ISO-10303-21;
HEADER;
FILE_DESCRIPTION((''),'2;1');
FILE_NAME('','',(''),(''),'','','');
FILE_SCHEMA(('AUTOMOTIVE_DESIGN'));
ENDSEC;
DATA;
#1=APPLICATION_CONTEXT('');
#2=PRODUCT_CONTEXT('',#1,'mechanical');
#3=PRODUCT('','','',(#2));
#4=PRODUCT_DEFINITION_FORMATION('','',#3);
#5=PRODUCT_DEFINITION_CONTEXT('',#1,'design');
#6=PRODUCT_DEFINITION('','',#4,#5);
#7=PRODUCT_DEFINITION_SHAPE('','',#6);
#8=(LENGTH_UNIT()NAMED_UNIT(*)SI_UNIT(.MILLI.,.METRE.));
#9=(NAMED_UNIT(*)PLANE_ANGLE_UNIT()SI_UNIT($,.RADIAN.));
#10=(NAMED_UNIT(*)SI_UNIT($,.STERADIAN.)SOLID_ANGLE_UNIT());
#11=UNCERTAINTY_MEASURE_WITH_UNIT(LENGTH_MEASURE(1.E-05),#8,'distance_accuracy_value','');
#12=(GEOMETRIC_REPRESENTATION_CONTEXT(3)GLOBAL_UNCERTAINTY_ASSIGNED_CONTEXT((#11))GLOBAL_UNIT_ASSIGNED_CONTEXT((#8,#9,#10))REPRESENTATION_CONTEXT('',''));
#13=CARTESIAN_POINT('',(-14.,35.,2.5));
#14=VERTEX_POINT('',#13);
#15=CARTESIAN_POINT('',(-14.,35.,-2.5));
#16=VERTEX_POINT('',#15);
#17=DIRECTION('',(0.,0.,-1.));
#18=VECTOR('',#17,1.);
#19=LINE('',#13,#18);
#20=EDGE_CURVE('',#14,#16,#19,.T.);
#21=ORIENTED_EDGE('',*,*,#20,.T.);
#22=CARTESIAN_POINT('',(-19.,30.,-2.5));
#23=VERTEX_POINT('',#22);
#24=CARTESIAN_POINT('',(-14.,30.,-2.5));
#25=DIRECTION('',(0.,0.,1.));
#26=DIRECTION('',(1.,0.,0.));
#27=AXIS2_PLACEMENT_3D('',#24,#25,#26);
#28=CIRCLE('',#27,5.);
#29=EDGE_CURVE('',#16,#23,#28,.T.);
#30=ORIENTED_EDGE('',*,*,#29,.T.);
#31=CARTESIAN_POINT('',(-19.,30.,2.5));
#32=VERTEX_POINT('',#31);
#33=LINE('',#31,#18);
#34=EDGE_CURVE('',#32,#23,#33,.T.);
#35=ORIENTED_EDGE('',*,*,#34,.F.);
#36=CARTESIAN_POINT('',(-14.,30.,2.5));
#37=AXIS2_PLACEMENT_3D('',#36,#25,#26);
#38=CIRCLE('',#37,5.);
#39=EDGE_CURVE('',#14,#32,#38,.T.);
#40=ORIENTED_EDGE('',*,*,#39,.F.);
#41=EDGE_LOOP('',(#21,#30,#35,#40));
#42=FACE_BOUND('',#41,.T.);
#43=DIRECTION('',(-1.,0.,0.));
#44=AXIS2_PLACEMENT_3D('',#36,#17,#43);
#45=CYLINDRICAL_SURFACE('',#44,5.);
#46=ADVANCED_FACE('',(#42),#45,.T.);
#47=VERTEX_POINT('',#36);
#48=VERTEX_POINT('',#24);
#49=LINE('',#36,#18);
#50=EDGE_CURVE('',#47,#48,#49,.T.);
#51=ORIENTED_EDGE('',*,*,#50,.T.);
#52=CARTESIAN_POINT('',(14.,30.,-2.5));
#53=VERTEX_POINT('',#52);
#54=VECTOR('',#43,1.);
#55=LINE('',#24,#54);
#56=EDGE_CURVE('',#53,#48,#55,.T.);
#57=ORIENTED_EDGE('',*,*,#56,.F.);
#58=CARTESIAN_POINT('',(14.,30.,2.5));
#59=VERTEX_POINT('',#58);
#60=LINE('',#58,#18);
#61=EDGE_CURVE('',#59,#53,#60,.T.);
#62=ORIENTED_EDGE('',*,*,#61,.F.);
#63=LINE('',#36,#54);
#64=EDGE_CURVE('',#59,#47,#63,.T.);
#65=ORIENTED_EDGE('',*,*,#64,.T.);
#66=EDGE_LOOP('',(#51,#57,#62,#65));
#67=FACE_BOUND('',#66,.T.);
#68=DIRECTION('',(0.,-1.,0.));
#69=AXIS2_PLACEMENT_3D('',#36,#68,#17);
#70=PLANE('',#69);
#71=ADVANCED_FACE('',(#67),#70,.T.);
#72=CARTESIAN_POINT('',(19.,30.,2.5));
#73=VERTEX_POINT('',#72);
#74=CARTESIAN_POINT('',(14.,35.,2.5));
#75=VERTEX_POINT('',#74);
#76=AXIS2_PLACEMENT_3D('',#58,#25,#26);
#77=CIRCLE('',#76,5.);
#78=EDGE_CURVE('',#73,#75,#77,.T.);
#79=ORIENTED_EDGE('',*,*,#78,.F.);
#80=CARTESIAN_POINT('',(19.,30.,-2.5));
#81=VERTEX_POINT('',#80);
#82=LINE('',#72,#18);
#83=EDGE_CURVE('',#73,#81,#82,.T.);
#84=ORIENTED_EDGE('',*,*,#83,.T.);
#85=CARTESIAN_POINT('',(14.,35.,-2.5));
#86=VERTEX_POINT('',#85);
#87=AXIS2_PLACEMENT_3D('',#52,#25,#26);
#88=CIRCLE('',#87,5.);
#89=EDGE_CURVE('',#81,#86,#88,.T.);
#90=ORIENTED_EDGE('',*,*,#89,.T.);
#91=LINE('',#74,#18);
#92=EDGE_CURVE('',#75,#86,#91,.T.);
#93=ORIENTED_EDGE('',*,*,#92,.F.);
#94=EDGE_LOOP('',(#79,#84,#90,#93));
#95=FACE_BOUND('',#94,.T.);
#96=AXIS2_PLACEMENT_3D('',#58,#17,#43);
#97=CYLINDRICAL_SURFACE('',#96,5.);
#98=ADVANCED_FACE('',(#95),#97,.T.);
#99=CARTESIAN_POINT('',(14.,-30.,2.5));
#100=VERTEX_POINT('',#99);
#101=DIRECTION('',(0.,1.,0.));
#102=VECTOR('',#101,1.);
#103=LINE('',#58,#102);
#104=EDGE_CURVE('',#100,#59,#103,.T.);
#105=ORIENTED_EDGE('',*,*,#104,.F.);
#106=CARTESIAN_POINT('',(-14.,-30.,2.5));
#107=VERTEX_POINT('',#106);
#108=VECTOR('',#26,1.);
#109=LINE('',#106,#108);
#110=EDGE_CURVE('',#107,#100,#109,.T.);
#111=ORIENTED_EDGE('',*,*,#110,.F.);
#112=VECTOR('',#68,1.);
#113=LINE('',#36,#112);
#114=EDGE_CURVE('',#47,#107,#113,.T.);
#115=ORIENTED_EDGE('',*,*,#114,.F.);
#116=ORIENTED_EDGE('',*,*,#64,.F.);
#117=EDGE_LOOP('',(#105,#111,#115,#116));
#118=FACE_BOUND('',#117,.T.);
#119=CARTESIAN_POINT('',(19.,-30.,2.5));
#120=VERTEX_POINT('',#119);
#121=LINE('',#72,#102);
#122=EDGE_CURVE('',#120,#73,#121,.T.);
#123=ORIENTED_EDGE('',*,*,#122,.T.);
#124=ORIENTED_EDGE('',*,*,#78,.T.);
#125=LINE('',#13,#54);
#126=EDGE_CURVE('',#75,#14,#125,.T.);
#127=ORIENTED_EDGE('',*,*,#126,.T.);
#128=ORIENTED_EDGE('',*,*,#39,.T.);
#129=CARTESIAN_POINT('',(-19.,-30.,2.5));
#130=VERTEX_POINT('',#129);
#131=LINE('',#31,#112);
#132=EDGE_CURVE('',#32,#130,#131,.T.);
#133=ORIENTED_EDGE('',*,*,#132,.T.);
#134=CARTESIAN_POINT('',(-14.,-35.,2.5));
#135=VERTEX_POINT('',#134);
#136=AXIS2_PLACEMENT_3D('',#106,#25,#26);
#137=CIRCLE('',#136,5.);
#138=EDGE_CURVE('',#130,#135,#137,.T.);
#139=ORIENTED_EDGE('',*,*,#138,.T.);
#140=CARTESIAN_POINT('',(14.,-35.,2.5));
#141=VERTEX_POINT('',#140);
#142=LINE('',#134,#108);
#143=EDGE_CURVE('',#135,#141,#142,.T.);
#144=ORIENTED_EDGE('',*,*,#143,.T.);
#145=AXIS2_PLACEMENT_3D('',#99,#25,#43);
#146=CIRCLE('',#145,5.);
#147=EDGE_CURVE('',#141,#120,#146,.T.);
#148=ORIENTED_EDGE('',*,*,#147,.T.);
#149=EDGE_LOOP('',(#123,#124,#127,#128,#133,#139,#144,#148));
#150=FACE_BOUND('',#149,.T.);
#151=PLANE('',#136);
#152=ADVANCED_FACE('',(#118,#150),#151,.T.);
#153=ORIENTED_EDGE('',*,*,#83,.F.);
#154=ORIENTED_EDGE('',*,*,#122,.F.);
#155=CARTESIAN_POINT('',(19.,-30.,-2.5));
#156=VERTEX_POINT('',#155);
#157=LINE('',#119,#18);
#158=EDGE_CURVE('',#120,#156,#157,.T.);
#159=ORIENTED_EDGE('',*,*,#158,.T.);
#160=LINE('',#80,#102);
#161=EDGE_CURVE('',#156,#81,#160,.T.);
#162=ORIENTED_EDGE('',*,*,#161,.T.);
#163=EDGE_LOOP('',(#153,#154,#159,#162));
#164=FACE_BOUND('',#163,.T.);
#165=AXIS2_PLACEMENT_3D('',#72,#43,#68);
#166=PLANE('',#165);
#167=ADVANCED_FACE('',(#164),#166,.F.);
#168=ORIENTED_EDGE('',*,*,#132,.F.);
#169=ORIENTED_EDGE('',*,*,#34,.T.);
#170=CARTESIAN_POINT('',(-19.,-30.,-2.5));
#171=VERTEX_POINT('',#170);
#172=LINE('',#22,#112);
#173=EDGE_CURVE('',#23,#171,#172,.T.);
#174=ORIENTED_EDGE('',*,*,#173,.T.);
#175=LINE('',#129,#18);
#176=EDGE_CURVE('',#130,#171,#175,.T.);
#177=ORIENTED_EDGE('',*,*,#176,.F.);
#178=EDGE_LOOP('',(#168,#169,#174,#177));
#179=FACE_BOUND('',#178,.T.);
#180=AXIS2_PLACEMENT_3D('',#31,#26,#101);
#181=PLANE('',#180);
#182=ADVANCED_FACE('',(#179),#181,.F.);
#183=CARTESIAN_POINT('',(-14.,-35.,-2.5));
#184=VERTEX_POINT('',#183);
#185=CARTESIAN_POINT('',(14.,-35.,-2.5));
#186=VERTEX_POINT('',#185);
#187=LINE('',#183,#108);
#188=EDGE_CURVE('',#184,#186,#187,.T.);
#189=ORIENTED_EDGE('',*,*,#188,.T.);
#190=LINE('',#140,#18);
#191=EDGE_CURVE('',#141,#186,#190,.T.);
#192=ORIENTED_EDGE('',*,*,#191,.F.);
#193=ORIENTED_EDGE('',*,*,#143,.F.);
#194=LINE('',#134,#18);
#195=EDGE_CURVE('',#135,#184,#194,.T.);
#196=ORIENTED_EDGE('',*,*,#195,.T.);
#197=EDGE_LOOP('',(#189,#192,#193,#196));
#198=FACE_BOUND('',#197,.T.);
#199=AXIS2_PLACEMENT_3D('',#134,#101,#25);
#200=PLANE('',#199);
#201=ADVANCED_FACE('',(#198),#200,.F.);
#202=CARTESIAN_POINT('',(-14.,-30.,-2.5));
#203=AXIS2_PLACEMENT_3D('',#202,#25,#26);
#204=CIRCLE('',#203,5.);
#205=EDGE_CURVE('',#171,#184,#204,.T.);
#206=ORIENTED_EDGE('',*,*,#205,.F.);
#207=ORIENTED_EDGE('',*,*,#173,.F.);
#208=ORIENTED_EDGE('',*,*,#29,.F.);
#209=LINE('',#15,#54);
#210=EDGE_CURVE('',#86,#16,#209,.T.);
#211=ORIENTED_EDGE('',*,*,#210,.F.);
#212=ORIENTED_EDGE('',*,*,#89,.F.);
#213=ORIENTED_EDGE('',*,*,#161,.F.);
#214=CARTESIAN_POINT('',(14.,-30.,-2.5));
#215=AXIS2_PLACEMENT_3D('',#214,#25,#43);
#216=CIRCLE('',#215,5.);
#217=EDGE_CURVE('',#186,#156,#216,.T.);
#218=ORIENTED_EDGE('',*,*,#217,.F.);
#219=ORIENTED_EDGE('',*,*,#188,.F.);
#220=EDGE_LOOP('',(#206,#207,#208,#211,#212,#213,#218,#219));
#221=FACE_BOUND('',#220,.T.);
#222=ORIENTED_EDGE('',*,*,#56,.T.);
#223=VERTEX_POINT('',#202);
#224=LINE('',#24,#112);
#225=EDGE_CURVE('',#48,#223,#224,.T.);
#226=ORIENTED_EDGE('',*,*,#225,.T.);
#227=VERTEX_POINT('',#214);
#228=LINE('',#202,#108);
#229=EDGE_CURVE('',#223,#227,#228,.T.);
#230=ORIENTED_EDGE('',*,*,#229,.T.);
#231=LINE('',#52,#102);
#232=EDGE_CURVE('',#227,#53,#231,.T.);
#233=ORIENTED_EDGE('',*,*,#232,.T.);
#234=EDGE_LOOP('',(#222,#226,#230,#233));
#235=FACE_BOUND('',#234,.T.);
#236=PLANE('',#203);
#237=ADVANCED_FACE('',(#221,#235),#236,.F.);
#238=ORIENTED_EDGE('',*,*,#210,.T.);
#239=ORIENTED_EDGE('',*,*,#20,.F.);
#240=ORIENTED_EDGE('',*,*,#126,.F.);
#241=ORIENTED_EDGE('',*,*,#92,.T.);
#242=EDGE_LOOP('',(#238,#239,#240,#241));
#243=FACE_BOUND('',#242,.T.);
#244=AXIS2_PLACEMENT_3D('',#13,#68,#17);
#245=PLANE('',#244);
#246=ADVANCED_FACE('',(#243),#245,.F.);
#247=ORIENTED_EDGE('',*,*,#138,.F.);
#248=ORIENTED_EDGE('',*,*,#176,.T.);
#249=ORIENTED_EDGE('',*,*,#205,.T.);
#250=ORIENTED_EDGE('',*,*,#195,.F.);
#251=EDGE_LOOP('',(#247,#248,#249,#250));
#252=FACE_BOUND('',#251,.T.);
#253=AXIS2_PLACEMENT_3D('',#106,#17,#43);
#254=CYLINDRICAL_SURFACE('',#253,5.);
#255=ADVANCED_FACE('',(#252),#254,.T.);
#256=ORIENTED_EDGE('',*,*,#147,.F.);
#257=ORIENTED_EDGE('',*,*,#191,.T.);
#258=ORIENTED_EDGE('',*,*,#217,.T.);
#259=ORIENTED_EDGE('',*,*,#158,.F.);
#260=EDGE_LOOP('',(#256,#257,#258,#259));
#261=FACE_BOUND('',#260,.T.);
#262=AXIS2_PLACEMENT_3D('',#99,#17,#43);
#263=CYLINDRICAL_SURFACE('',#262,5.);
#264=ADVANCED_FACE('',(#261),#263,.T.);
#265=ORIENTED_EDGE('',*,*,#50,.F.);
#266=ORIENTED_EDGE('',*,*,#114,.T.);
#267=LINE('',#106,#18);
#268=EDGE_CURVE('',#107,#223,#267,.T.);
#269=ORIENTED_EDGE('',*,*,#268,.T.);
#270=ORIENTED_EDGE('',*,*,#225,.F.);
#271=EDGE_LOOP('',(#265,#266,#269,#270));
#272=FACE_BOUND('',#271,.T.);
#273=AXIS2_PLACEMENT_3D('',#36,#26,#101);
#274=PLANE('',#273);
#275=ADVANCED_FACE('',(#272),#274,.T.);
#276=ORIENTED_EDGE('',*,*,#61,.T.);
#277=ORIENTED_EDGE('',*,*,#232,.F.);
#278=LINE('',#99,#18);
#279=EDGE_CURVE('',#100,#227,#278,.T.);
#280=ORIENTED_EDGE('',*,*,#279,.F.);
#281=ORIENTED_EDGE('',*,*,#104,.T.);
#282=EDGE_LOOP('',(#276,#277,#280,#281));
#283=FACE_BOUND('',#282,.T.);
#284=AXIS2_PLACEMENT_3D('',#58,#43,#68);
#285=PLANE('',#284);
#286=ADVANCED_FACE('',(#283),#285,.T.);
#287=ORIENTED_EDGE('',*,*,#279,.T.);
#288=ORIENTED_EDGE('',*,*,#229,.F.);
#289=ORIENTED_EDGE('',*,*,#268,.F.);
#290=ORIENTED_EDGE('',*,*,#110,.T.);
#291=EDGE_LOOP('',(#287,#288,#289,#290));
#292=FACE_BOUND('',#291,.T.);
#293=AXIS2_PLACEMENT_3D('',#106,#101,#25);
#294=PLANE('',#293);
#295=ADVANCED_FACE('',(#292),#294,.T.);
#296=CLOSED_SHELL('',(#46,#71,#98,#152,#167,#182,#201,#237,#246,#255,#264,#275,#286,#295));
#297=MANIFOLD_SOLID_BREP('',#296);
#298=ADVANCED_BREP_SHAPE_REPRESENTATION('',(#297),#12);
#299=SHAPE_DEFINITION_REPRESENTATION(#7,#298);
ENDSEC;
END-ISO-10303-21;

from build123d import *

# Parameters (mm, degrees)
SKETCH1_W           = 28
SKETCH1_H           = 60
BOSS_EXTRUDE1_DEPTH = 2.5


with BuildPart() as part:
    # Sketch1 → Boss-Extrude1 (new, symmetric)
    with BuildSketch(Plane.XY):
        with BuildLine():
            Line((-14, 35), (14, 35))
            ThreePointArc((14, 35), (17.535533906, 33.535533906), (19, 30))
            Line((19, 30), (19, -30))
            ThreePointArc((19, -30), (17.535533906, -33.535533906), (14, -35))
            Line((14, -35), (-14, -35))
            ThreePointArc((-14, -35), (-17.535533906, -33.535533906), (-19, -30))
            Line((-19, -30), (-19, 30))
            ThreePointArc((-19, 30), (-17.535533906, 33.535533906), (-14, 35))
        make_face()
        Rectangle(SKETCH1_W, SKETCH1_H, mode=Mode.SUBTRACT)
    extrude(amount=BOSS_EXTRUDE1_DEPTH, both=True)


solid = part.part
